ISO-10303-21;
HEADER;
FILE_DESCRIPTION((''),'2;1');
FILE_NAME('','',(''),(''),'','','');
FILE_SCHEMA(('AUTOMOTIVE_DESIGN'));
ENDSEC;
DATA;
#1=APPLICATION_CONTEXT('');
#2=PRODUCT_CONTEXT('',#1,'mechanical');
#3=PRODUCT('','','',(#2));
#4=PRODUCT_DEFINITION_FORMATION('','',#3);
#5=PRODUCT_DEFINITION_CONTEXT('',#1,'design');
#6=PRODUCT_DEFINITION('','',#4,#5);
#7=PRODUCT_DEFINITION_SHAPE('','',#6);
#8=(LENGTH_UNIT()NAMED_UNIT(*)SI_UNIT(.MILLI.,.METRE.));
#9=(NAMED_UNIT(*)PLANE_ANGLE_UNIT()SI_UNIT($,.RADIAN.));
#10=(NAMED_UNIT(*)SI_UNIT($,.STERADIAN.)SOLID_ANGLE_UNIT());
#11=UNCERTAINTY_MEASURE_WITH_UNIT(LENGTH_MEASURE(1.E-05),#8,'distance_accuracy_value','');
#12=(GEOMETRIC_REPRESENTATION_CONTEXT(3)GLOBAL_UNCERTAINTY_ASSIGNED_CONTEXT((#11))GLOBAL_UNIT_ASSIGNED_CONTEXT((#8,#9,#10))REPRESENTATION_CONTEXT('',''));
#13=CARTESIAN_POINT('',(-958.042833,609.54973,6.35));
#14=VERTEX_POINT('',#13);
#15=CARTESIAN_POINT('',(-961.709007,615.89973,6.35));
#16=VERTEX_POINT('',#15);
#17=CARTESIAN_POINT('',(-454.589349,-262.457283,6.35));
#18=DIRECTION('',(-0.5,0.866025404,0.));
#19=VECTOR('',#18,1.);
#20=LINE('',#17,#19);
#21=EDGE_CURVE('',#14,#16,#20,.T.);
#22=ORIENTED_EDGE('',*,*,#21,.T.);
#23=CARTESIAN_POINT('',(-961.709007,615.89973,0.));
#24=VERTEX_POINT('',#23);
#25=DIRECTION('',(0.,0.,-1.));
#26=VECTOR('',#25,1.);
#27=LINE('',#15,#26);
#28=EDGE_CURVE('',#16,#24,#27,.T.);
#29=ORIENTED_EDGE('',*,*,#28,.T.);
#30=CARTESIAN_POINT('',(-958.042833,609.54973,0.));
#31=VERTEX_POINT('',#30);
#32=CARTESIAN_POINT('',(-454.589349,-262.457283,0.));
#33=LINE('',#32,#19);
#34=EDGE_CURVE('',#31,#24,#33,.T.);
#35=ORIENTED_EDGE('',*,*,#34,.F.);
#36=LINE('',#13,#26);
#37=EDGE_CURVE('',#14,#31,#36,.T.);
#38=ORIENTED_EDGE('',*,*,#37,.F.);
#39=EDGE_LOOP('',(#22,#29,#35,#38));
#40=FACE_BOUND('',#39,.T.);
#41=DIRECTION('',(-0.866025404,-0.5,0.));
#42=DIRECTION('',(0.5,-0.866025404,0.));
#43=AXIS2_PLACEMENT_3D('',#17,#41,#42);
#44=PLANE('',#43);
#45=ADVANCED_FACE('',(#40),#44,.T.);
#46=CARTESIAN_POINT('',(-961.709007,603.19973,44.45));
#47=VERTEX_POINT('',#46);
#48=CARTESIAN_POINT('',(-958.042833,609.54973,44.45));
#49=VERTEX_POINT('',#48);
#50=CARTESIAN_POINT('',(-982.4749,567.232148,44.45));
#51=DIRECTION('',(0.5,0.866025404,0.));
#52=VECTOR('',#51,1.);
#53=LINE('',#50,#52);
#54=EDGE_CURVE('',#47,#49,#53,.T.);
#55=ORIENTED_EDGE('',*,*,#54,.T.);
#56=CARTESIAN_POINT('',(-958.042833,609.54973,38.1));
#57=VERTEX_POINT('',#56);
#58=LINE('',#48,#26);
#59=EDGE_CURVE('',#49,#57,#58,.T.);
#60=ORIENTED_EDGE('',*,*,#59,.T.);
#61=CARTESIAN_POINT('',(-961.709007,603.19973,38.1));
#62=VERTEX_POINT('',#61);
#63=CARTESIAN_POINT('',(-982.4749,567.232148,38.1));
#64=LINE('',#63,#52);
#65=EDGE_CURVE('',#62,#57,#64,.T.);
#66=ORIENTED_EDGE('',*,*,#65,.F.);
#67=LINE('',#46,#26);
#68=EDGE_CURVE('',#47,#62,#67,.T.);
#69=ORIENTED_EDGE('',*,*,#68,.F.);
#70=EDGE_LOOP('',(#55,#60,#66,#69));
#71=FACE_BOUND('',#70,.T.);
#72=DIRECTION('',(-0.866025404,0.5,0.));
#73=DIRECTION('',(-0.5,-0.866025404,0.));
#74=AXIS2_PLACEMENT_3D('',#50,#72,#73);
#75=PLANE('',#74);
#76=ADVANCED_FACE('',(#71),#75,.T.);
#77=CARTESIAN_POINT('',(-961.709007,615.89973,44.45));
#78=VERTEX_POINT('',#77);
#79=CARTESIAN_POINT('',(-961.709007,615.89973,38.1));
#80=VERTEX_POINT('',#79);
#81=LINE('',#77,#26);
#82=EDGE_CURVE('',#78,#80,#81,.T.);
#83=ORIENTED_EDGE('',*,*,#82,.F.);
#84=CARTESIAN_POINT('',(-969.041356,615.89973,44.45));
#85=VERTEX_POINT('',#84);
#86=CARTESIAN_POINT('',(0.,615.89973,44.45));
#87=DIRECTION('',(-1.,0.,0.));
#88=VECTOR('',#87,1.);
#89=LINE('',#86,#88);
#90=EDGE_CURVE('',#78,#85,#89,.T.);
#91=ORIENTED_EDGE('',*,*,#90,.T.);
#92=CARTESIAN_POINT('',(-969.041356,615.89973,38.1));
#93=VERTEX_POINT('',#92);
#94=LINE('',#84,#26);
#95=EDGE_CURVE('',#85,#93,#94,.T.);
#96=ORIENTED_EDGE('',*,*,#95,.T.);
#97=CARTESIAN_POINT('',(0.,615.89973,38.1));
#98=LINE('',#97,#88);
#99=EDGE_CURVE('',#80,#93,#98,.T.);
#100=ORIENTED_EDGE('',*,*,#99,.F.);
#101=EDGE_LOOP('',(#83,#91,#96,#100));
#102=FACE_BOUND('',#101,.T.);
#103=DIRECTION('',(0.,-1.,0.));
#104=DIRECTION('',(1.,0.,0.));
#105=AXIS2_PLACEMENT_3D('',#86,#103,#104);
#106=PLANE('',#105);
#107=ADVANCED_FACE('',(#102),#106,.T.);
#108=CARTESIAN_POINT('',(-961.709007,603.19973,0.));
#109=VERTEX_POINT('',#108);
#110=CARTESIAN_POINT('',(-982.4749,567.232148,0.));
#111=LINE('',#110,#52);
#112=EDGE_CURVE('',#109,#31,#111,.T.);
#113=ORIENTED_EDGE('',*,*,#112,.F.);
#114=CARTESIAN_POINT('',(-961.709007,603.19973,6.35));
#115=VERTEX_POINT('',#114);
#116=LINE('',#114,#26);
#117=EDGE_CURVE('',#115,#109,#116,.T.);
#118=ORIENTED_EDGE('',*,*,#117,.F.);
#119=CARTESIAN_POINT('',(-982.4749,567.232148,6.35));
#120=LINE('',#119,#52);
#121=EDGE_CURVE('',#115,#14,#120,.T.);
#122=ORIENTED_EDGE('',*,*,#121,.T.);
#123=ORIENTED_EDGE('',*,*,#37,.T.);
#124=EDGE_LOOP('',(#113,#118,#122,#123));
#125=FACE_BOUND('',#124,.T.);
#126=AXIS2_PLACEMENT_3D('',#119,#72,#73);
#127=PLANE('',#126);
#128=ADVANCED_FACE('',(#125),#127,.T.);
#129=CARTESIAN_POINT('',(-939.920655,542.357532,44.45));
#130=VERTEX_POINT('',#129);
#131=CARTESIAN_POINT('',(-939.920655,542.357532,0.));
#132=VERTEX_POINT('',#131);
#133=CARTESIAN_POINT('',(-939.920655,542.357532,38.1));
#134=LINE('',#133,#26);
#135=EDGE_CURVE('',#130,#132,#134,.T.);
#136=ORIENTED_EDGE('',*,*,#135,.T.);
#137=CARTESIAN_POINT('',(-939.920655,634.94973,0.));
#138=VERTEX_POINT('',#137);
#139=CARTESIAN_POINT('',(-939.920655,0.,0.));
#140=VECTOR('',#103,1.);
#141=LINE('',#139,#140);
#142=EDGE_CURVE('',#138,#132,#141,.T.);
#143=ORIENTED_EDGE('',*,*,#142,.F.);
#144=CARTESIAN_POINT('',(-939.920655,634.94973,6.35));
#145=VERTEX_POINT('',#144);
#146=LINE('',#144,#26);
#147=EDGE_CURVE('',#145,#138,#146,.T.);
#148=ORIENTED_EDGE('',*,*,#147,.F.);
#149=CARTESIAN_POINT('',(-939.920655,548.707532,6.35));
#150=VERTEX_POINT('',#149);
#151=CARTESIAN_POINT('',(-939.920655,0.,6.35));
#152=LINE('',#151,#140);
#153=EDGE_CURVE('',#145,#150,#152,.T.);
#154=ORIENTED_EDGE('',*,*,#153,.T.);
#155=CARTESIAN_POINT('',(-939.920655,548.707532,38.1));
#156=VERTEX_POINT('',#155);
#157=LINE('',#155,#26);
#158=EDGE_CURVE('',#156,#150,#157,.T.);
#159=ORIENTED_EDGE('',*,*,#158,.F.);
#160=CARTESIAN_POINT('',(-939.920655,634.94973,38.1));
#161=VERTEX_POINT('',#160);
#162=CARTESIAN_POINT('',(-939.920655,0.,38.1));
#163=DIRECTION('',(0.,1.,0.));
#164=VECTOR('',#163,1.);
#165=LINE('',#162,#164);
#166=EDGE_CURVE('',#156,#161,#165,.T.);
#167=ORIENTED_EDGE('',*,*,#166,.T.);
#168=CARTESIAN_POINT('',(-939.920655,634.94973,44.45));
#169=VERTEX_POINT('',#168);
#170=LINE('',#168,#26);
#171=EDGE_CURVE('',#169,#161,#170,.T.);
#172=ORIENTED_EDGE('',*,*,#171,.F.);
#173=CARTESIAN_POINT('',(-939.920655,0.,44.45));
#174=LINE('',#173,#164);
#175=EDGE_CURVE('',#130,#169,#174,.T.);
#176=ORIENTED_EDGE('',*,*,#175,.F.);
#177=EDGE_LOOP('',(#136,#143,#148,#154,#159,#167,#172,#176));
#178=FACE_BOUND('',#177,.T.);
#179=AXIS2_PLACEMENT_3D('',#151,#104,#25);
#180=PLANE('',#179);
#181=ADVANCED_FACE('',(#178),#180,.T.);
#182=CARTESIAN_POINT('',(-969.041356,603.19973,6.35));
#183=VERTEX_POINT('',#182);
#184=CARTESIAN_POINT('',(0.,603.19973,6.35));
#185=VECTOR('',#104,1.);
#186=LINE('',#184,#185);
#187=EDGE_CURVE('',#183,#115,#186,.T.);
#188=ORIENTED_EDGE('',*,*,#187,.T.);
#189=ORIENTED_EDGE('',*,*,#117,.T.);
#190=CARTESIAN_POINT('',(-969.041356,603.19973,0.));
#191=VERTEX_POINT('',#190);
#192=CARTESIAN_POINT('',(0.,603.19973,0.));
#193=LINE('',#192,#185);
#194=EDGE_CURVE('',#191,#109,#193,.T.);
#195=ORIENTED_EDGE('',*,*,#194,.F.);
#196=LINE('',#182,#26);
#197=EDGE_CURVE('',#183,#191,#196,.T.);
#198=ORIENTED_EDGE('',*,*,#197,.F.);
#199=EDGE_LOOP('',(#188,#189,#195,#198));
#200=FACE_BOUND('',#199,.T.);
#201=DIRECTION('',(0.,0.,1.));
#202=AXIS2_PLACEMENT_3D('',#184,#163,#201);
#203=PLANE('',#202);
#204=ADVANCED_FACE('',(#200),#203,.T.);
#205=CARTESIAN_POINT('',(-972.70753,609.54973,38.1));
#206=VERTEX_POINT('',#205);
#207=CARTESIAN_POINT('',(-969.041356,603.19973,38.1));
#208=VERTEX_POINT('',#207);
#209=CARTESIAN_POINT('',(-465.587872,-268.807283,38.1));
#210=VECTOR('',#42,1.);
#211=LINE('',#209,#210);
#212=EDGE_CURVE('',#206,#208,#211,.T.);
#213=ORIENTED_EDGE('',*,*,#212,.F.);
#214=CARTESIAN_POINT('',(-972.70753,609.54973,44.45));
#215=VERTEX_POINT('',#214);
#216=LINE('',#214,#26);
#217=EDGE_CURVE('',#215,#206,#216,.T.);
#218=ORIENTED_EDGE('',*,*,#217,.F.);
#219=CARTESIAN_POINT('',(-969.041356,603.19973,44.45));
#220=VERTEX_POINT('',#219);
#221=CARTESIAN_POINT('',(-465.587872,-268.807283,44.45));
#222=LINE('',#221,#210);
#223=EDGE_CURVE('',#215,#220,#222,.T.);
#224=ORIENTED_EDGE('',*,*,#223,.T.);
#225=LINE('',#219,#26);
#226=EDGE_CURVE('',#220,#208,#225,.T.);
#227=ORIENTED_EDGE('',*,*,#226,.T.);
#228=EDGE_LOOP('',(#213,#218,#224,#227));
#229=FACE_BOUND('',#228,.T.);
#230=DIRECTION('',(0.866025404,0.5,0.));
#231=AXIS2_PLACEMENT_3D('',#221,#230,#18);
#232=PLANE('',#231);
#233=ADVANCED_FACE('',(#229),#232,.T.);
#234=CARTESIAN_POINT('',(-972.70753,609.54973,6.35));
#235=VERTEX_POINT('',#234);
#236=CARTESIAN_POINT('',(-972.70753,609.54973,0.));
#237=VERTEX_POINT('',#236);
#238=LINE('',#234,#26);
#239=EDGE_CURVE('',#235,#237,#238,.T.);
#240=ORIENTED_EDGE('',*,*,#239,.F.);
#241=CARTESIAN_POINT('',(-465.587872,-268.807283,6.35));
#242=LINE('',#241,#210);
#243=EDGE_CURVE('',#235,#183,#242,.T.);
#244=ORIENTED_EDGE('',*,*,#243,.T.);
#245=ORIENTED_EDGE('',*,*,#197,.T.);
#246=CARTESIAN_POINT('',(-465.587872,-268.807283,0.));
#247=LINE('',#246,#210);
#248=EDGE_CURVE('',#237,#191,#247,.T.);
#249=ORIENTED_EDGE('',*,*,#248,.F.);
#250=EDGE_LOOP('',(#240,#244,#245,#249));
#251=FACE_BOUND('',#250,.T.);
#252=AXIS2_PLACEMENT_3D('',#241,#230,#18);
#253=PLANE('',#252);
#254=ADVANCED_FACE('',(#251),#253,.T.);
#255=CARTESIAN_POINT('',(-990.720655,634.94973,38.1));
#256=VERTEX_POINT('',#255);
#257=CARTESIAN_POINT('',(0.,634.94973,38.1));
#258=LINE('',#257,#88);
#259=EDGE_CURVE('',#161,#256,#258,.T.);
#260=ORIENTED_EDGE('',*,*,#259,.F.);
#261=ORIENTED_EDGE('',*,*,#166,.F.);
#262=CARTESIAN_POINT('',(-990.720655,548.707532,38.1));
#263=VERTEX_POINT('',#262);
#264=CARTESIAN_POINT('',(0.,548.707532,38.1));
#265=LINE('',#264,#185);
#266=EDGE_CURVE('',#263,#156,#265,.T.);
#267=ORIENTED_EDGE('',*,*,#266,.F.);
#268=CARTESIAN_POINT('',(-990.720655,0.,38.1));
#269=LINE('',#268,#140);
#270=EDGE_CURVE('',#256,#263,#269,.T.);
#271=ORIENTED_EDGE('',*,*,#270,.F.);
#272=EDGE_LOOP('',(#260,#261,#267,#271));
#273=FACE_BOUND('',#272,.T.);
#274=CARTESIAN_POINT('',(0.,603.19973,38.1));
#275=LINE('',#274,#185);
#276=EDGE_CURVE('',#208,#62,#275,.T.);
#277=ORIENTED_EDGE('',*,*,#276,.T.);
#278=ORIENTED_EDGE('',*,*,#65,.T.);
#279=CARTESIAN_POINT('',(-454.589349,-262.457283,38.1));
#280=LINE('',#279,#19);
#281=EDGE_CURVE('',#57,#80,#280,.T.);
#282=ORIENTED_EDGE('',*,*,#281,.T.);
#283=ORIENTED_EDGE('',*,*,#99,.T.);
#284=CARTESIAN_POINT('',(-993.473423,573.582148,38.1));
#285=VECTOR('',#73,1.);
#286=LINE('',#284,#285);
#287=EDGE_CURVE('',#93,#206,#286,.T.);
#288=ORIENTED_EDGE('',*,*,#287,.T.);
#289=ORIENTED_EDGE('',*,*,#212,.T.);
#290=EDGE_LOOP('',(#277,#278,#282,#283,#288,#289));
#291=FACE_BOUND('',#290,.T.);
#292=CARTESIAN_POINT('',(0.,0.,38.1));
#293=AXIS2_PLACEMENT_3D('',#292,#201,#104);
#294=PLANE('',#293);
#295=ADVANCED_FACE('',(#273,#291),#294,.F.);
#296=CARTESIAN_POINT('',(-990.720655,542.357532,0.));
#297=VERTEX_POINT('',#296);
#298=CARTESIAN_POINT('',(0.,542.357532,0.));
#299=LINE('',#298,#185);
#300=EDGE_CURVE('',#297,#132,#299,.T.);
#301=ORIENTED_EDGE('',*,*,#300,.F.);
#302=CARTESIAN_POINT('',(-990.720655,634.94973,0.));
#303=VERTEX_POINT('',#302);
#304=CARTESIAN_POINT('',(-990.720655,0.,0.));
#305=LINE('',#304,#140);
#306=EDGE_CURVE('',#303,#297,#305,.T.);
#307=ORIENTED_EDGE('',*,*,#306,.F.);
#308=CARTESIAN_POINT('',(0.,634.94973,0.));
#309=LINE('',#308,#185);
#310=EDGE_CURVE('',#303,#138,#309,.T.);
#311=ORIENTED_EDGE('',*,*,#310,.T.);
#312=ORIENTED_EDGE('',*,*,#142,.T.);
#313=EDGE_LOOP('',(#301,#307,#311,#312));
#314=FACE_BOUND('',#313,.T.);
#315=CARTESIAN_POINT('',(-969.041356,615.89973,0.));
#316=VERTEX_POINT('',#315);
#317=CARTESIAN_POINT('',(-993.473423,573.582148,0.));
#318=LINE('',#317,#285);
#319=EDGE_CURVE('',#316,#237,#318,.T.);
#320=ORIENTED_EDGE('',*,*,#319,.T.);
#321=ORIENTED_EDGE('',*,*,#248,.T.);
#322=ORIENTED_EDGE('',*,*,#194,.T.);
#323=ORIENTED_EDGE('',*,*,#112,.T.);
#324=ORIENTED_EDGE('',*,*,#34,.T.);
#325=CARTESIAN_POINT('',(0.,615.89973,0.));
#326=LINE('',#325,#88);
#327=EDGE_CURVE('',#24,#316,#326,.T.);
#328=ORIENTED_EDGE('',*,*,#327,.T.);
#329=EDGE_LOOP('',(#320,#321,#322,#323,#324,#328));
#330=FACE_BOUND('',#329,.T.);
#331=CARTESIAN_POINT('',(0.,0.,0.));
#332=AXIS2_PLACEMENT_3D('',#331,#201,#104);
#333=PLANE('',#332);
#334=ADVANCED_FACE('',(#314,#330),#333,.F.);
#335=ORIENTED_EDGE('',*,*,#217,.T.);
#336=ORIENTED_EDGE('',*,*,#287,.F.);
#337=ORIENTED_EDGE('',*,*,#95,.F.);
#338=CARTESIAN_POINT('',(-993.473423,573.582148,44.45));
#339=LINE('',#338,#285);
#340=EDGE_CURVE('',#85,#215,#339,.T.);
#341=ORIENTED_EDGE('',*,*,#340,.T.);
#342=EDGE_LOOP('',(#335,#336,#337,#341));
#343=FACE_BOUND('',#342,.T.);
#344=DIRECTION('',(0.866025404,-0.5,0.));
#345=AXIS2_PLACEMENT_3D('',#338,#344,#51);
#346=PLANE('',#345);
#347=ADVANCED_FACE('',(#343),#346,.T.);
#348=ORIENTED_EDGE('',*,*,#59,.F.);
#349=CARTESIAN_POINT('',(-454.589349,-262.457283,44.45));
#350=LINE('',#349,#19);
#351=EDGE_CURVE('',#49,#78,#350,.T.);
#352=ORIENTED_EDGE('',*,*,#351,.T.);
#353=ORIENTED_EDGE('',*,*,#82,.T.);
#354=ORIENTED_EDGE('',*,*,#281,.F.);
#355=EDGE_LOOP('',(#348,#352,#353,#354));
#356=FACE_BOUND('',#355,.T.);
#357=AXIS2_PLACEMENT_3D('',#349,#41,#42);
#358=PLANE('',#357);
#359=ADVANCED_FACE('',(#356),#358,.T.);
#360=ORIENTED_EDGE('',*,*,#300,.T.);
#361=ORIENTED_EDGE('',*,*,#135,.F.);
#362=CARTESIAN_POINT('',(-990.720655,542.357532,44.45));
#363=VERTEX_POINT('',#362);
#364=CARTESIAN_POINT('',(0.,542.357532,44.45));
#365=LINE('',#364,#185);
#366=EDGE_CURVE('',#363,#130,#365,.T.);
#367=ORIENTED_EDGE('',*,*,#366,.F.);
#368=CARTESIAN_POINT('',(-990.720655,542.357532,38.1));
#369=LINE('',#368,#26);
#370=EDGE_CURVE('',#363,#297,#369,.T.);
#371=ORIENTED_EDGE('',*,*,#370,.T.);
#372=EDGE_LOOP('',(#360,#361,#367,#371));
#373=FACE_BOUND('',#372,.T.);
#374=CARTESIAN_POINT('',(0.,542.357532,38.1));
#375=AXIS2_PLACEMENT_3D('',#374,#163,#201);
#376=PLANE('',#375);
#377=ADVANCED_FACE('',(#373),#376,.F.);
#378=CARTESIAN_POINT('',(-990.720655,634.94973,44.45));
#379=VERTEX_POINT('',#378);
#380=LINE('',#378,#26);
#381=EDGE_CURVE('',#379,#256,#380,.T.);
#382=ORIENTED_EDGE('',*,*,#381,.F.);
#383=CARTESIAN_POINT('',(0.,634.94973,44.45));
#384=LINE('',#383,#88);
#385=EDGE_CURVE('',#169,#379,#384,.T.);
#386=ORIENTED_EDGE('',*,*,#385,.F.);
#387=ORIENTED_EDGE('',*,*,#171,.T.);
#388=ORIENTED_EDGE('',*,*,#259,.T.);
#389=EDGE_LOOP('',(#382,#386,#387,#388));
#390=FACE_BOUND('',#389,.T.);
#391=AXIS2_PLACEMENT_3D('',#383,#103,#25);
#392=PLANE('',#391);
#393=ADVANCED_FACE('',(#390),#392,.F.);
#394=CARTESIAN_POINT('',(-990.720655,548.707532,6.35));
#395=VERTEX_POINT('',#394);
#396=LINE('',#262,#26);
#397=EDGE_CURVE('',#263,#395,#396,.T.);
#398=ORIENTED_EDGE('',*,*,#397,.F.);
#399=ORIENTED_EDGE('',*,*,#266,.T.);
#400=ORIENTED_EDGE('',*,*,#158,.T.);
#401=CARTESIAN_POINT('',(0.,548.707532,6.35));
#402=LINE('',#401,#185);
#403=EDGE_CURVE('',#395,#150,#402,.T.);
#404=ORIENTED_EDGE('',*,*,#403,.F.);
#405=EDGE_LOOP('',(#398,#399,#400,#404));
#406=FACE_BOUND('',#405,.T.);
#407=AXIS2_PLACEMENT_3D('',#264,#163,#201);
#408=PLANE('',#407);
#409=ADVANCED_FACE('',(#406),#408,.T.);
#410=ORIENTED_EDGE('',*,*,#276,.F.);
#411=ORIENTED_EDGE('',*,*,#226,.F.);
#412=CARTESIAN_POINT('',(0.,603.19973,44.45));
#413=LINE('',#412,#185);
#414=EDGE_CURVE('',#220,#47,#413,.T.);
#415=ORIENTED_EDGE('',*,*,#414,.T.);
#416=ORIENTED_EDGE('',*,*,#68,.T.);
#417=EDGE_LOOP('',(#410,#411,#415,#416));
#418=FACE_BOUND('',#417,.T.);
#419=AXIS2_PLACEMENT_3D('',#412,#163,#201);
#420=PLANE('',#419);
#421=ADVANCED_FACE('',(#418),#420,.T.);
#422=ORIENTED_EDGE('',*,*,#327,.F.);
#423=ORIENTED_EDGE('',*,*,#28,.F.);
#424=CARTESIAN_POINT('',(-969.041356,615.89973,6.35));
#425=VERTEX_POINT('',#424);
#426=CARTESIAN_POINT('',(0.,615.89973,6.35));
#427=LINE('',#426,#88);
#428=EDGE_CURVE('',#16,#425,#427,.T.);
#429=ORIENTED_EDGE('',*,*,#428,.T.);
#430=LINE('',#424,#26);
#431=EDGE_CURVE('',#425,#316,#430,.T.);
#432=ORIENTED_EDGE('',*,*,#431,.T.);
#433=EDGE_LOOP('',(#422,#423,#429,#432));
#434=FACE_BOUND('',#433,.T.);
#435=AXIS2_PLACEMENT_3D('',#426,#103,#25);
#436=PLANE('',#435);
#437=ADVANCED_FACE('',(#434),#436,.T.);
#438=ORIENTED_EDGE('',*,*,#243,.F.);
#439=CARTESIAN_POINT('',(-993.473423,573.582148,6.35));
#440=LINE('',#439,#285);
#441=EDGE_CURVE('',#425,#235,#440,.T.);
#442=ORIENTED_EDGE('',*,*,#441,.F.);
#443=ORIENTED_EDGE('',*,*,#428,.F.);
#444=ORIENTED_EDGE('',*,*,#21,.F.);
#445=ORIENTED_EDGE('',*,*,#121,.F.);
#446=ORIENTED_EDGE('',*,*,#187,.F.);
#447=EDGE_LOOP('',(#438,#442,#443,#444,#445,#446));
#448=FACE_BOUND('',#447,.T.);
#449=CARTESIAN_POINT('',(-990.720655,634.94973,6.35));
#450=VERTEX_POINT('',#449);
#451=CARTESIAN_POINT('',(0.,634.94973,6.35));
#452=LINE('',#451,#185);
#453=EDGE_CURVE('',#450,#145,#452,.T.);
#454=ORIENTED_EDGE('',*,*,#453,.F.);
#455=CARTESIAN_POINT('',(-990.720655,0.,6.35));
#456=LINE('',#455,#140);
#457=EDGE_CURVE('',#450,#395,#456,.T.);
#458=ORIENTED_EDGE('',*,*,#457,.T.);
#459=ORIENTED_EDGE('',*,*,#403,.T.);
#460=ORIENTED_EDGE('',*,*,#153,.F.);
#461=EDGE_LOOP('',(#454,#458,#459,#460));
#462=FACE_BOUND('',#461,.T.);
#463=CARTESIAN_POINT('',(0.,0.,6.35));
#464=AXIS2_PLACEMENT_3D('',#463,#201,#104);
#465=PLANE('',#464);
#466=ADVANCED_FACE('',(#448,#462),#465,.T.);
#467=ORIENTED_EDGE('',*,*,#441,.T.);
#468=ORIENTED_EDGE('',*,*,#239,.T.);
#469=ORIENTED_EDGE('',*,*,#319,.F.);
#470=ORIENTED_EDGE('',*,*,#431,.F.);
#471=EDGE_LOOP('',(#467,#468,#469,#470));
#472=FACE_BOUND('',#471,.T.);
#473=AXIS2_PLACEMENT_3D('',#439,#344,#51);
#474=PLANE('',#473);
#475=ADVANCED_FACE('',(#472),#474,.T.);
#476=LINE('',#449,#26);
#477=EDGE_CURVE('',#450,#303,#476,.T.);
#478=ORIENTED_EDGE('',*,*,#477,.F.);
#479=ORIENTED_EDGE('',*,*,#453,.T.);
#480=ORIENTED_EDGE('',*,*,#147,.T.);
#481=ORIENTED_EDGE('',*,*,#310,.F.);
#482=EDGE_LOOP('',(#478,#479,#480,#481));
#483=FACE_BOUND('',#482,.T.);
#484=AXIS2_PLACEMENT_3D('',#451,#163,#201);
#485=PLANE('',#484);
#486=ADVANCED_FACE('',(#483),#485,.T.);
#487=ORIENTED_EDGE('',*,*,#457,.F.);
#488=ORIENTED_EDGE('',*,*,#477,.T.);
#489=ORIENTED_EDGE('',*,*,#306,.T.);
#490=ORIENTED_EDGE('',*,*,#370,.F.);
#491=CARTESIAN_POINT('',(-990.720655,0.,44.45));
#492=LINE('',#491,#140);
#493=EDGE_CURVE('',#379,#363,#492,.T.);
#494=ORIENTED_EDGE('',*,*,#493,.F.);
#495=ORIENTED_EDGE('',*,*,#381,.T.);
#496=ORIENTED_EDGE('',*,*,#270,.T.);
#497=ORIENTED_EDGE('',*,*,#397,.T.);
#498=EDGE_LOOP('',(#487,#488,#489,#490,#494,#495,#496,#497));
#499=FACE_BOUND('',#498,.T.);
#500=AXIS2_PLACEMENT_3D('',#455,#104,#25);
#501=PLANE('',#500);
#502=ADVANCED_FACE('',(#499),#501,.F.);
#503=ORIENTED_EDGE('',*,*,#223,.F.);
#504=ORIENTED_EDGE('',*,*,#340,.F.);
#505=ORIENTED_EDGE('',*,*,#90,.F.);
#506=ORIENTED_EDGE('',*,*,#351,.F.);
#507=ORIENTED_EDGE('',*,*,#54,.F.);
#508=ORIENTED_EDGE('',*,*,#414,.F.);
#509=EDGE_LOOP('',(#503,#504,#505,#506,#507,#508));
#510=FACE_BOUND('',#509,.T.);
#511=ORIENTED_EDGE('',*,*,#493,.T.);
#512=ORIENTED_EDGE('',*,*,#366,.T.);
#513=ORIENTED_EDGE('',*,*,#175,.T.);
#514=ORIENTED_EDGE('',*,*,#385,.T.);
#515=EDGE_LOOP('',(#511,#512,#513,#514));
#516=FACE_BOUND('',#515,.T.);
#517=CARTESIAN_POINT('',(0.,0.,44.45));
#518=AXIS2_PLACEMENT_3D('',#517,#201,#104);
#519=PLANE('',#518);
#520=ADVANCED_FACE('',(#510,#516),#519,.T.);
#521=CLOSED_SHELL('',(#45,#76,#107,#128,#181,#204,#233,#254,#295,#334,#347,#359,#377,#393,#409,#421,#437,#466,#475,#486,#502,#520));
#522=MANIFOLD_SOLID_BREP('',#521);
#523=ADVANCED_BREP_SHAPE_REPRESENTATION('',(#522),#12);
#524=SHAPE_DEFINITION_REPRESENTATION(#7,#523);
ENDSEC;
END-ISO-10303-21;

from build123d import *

# Parameters (mm, degrees)
SKETCH1_W           = 50.8
SKETCH1_H           = 86.242198053
BOSS_EXTRUDE1_DEPTH = 6.35
SKETCH1_3_W         = 50.8
SKETCH1_3_H         = 6.35
BOSS_EXTRUDE2_DEPTH = 38.1
SKETCH2_W           = 50.8
SKETCH2_H           = 92.592198053
BOSS_EXTRUDE4_DEPTH = 6.35


with BuildPart() as part:
    # Sketch1 → Boss-Extrude1 (new body)
    with BuildSketch(Plane.XY):
        with Locations((-965.320655189, 591.828631034)):
            Rectangle(SKETCH1_W, SKETCH1_H)
        Polygon((-969.04135584, 603.19973006), (-972.707530049, 609.54973006), (-969.04135584, 615.89973006), (-961.709007421, 615.89973006), (-958.042833212, 609.54973006), (-961.709007421, 603.19973006), align=None, mode=Mode.SUBTRACT)
    extrude(amount=BOSS_EXTRUDE1_DEPTH)

    # Sketch1<3> → Boss-Extrude2 (add)
    with BuildSketch(Plane.XY):
        with Locations((-965.320655189, 545.532532007)):
            Rectangle(SKETCH1_3_W, SKETCH1_3_H)
    extrude(amount=BOSS_EXTRUDE2_DEPTH)

    # Sketch2 → Boss-Extrude4 (add)
    with BuildSketch(Plane.XY.offset(38.1)):
        with Locations((-965.320655189, 588.653631034)):
            Rectangle(SKETCH2_W, SKETCH2_H)
        Polygon((-958.042833212, 609.54973006), (-961.709007421, 603.19973006), (-969.04135584, 603.19973006), (-972.707530049, 609.54973006), (-969.04135584, 615.89973006), (-961.709007421, 615.89973006), align=None, mode=Mode.SUBTRACT)
    extrude(amount=BOSS_EXTRUDE4_DEPTH)


solid = part.part
